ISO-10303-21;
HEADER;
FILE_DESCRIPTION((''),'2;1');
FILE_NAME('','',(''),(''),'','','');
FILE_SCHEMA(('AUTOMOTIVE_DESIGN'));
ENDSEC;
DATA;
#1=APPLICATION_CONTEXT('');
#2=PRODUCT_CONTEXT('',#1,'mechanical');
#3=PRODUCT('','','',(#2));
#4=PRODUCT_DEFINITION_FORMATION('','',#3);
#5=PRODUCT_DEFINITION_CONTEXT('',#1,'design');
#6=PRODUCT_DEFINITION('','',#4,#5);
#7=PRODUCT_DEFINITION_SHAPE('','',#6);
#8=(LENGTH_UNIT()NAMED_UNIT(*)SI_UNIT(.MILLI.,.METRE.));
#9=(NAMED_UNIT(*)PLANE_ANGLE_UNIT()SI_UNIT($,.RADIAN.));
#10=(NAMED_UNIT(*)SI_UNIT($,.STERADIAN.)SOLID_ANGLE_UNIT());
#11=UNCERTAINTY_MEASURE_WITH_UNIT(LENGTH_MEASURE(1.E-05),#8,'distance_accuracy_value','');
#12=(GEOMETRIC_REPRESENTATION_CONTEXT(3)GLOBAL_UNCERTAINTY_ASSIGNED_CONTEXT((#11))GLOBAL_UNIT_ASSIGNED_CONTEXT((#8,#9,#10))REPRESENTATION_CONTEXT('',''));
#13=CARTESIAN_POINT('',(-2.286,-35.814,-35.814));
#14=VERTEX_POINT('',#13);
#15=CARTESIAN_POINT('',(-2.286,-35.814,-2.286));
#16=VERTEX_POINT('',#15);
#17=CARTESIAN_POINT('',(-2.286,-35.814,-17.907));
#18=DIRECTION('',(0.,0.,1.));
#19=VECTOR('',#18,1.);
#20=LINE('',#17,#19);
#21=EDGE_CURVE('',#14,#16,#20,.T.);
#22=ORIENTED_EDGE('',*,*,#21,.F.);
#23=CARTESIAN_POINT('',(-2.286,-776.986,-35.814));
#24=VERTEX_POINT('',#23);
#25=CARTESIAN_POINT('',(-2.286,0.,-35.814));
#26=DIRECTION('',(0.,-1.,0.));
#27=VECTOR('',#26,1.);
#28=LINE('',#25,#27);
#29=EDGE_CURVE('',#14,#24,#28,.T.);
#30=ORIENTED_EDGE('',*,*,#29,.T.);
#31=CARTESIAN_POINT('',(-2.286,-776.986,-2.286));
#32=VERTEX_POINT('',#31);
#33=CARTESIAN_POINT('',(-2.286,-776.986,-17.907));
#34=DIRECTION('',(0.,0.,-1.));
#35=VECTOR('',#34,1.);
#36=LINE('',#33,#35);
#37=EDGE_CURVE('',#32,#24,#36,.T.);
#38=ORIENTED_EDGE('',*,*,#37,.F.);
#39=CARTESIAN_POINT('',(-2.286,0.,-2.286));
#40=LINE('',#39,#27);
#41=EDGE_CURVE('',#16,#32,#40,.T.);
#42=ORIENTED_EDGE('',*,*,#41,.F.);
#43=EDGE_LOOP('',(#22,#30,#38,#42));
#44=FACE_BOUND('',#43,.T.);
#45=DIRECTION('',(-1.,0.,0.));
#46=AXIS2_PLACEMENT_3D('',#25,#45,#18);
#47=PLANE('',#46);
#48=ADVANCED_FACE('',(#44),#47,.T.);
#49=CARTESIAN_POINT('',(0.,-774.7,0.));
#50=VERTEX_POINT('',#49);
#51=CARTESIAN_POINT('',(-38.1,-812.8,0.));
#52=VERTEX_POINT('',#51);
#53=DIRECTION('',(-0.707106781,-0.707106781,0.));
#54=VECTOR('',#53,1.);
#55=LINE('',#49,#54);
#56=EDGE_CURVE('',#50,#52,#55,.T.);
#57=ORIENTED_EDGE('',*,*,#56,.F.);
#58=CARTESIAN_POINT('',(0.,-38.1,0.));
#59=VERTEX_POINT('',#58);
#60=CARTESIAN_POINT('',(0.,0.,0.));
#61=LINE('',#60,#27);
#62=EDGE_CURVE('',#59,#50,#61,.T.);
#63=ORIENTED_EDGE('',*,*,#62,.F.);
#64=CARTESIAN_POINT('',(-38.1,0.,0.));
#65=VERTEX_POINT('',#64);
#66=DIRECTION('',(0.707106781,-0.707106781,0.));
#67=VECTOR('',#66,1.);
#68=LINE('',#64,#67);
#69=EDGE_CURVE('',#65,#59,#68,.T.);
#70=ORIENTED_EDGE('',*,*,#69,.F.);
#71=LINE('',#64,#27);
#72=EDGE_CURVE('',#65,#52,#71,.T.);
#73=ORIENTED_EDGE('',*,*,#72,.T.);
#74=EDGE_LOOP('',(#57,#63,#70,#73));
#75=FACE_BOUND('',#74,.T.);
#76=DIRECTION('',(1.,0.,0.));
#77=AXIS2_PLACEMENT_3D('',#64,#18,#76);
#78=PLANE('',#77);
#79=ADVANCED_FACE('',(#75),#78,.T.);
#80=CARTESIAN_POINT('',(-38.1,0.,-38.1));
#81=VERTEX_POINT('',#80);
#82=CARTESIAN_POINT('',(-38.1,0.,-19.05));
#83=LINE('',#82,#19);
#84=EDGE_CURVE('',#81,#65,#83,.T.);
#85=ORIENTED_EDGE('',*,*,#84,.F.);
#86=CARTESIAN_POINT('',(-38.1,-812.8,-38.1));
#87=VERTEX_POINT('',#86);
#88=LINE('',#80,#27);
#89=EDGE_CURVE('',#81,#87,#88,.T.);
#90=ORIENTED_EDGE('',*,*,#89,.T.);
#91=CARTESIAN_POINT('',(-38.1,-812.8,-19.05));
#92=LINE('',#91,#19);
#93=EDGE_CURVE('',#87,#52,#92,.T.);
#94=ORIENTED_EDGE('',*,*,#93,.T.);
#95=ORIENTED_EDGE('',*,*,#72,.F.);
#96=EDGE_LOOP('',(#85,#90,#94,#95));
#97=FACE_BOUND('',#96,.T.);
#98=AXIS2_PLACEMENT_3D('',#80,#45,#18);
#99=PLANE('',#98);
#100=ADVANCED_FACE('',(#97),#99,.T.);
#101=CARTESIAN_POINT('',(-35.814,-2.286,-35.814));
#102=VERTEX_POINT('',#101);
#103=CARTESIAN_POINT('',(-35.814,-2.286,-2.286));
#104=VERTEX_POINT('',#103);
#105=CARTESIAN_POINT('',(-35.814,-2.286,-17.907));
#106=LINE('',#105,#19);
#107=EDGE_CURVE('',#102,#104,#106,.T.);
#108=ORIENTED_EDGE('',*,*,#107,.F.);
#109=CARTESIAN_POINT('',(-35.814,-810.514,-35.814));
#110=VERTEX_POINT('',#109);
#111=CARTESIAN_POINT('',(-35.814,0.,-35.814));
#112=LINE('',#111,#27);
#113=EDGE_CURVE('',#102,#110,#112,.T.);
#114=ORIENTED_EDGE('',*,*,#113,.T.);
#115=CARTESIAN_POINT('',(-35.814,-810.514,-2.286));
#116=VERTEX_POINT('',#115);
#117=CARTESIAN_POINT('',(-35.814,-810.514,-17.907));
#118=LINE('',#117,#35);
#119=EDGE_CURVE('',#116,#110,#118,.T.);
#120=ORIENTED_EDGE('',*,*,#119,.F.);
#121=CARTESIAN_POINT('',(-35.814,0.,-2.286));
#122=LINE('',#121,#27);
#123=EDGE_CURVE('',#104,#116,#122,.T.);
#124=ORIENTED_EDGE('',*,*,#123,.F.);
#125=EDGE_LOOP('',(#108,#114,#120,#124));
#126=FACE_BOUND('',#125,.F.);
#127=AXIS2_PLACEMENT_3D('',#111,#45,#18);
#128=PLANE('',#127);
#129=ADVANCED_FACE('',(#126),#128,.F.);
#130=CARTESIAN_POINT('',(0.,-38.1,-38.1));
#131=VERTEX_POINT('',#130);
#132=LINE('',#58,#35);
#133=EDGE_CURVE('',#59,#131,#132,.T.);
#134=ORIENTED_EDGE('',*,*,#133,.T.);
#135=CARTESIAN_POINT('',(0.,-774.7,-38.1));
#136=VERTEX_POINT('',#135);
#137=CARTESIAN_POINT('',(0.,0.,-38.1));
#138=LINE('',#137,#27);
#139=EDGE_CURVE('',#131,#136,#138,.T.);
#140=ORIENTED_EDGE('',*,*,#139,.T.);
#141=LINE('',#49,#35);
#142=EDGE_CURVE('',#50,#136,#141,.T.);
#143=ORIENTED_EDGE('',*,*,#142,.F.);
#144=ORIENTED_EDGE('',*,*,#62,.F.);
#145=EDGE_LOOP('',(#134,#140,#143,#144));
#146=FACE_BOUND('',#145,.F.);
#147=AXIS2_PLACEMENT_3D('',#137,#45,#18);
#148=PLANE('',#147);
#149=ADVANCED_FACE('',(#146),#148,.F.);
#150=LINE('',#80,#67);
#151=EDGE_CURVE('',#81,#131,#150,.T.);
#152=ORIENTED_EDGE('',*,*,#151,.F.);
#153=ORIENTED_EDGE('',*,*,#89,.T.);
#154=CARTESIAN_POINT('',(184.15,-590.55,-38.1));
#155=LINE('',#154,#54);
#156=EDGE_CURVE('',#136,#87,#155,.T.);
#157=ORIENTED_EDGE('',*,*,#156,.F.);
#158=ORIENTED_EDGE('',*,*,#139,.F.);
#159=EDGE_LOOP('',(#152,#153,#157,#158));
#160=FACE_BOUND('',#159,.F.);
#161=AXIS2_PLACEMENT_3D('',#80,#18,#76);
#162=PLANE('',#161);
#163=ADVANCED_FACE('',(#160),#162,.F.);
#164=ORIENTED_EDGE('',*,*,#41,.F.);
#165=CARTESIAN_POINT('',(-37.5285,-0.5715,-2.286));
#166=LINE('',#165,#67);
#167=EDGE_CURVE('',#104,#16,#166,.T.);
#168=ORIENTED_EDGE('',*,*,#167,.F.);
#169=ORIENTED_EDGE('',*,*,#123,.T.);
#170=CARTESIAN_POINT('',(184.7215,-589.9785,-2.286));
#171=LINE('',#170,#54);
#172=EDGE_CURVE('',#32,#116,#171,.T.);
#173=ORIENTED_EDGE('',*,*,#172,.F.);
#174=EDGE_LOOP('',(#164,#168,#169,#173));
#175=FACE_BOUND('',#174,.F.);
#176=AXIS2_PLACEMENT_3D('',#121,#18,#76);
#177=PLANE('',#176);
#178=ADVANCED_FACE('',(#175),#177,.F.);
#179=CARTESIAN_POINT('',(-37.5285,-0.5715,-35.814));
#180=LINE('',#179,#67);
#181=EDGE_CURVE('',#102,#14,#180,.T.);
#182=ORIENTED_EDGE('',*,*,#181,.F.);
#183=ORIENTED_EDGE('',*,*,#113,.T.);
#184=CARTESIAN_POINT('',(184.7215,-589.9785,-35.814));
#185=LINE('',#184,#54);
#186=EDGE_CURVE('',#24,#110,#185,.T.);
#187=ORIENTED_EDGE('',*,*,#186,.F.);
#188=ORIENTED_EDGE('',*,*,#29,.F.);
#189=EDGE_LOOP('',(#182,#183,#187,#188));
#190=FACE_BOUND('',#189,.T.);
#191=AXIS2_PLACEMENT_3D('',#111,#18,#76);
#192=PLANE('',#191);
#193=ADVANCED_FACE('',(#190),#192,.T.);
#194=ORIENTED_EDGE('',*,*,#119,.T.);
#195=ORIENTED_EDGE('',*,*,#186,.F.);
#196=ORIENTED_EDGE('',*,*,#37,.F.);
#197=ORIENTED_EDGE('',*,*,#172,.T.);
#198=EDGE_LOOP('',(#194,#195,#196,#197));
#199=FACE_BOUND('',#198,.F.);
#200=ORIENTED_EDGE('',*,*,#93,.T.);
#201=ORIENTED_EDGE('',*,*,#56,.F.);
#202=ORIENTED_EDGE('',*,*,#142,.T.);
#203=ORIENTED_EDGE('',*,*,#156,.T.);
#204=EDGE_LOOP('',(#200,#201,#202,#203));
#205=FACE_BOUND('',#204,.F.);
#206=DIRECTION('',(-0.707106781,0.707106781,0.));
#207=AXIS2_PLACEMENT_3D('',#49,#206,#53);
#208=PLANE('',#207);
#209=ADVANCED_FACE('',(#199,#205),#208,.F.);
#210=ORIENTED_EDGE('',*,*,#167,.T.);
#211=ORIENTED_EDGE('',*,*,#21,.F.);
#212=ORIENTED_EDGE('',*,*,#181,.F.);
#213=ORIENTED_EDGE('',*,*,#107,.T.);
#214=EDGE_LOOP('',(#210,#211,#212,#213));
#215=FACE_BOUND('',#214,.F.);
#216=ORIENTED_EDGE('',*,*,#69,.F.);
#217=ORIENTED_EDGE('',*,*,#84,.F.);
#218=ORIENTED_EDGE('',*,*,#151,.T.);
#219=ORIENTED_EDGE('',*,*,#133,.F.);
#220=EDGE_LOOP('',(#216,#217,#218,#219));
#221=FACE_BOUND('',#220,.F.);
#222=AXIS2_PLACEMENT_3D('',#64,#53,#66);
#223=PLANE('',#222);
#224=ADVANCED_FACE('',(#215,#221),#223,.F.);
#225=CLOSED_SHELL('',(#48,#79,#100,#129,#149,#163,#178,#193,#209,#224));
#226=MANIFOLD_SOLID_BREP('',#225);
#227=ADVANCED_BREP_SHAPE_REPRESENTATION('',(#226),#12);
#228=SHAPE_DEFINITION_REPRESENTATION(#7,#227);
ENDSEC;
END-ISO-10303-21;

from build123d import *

# Parameters (mm, degrees)
F0_W     = 38.1
F0_H     = 38.1
F0_W_2   = 33.528
F0_H_2   = 33.528
F1_DEPTH = 812.8
F3_DEPTH = 50.8


with BuildPart() as f1:
    # F0 (on Front) → F1 (new body)
    with BuildSketch(Plane.XZ):
        with Locations((-19.05, -19.05)):
            Rectangle(F0_W, F0_H)
        with Locations((-19.05, -19.05)):
            Rectangle(F0_W_2, F0_H_2, mode=Mode.SUBTRACT)
    extrude(amount=F1_DEPTH)

    # F2 (on face) → F3 (cut)
    with BuildSketch(Plane.XY):
        Polygon((0, -774.7), (-38.1, -812.8), (0, -812.8), align=None)
        Polygon((0, 0), (-38.1, 0), (0, -38.1), align=None)
    extrude(amount=-F3_DEPTH, mode=Mode.SUBTRACT)


solid = f1.part
